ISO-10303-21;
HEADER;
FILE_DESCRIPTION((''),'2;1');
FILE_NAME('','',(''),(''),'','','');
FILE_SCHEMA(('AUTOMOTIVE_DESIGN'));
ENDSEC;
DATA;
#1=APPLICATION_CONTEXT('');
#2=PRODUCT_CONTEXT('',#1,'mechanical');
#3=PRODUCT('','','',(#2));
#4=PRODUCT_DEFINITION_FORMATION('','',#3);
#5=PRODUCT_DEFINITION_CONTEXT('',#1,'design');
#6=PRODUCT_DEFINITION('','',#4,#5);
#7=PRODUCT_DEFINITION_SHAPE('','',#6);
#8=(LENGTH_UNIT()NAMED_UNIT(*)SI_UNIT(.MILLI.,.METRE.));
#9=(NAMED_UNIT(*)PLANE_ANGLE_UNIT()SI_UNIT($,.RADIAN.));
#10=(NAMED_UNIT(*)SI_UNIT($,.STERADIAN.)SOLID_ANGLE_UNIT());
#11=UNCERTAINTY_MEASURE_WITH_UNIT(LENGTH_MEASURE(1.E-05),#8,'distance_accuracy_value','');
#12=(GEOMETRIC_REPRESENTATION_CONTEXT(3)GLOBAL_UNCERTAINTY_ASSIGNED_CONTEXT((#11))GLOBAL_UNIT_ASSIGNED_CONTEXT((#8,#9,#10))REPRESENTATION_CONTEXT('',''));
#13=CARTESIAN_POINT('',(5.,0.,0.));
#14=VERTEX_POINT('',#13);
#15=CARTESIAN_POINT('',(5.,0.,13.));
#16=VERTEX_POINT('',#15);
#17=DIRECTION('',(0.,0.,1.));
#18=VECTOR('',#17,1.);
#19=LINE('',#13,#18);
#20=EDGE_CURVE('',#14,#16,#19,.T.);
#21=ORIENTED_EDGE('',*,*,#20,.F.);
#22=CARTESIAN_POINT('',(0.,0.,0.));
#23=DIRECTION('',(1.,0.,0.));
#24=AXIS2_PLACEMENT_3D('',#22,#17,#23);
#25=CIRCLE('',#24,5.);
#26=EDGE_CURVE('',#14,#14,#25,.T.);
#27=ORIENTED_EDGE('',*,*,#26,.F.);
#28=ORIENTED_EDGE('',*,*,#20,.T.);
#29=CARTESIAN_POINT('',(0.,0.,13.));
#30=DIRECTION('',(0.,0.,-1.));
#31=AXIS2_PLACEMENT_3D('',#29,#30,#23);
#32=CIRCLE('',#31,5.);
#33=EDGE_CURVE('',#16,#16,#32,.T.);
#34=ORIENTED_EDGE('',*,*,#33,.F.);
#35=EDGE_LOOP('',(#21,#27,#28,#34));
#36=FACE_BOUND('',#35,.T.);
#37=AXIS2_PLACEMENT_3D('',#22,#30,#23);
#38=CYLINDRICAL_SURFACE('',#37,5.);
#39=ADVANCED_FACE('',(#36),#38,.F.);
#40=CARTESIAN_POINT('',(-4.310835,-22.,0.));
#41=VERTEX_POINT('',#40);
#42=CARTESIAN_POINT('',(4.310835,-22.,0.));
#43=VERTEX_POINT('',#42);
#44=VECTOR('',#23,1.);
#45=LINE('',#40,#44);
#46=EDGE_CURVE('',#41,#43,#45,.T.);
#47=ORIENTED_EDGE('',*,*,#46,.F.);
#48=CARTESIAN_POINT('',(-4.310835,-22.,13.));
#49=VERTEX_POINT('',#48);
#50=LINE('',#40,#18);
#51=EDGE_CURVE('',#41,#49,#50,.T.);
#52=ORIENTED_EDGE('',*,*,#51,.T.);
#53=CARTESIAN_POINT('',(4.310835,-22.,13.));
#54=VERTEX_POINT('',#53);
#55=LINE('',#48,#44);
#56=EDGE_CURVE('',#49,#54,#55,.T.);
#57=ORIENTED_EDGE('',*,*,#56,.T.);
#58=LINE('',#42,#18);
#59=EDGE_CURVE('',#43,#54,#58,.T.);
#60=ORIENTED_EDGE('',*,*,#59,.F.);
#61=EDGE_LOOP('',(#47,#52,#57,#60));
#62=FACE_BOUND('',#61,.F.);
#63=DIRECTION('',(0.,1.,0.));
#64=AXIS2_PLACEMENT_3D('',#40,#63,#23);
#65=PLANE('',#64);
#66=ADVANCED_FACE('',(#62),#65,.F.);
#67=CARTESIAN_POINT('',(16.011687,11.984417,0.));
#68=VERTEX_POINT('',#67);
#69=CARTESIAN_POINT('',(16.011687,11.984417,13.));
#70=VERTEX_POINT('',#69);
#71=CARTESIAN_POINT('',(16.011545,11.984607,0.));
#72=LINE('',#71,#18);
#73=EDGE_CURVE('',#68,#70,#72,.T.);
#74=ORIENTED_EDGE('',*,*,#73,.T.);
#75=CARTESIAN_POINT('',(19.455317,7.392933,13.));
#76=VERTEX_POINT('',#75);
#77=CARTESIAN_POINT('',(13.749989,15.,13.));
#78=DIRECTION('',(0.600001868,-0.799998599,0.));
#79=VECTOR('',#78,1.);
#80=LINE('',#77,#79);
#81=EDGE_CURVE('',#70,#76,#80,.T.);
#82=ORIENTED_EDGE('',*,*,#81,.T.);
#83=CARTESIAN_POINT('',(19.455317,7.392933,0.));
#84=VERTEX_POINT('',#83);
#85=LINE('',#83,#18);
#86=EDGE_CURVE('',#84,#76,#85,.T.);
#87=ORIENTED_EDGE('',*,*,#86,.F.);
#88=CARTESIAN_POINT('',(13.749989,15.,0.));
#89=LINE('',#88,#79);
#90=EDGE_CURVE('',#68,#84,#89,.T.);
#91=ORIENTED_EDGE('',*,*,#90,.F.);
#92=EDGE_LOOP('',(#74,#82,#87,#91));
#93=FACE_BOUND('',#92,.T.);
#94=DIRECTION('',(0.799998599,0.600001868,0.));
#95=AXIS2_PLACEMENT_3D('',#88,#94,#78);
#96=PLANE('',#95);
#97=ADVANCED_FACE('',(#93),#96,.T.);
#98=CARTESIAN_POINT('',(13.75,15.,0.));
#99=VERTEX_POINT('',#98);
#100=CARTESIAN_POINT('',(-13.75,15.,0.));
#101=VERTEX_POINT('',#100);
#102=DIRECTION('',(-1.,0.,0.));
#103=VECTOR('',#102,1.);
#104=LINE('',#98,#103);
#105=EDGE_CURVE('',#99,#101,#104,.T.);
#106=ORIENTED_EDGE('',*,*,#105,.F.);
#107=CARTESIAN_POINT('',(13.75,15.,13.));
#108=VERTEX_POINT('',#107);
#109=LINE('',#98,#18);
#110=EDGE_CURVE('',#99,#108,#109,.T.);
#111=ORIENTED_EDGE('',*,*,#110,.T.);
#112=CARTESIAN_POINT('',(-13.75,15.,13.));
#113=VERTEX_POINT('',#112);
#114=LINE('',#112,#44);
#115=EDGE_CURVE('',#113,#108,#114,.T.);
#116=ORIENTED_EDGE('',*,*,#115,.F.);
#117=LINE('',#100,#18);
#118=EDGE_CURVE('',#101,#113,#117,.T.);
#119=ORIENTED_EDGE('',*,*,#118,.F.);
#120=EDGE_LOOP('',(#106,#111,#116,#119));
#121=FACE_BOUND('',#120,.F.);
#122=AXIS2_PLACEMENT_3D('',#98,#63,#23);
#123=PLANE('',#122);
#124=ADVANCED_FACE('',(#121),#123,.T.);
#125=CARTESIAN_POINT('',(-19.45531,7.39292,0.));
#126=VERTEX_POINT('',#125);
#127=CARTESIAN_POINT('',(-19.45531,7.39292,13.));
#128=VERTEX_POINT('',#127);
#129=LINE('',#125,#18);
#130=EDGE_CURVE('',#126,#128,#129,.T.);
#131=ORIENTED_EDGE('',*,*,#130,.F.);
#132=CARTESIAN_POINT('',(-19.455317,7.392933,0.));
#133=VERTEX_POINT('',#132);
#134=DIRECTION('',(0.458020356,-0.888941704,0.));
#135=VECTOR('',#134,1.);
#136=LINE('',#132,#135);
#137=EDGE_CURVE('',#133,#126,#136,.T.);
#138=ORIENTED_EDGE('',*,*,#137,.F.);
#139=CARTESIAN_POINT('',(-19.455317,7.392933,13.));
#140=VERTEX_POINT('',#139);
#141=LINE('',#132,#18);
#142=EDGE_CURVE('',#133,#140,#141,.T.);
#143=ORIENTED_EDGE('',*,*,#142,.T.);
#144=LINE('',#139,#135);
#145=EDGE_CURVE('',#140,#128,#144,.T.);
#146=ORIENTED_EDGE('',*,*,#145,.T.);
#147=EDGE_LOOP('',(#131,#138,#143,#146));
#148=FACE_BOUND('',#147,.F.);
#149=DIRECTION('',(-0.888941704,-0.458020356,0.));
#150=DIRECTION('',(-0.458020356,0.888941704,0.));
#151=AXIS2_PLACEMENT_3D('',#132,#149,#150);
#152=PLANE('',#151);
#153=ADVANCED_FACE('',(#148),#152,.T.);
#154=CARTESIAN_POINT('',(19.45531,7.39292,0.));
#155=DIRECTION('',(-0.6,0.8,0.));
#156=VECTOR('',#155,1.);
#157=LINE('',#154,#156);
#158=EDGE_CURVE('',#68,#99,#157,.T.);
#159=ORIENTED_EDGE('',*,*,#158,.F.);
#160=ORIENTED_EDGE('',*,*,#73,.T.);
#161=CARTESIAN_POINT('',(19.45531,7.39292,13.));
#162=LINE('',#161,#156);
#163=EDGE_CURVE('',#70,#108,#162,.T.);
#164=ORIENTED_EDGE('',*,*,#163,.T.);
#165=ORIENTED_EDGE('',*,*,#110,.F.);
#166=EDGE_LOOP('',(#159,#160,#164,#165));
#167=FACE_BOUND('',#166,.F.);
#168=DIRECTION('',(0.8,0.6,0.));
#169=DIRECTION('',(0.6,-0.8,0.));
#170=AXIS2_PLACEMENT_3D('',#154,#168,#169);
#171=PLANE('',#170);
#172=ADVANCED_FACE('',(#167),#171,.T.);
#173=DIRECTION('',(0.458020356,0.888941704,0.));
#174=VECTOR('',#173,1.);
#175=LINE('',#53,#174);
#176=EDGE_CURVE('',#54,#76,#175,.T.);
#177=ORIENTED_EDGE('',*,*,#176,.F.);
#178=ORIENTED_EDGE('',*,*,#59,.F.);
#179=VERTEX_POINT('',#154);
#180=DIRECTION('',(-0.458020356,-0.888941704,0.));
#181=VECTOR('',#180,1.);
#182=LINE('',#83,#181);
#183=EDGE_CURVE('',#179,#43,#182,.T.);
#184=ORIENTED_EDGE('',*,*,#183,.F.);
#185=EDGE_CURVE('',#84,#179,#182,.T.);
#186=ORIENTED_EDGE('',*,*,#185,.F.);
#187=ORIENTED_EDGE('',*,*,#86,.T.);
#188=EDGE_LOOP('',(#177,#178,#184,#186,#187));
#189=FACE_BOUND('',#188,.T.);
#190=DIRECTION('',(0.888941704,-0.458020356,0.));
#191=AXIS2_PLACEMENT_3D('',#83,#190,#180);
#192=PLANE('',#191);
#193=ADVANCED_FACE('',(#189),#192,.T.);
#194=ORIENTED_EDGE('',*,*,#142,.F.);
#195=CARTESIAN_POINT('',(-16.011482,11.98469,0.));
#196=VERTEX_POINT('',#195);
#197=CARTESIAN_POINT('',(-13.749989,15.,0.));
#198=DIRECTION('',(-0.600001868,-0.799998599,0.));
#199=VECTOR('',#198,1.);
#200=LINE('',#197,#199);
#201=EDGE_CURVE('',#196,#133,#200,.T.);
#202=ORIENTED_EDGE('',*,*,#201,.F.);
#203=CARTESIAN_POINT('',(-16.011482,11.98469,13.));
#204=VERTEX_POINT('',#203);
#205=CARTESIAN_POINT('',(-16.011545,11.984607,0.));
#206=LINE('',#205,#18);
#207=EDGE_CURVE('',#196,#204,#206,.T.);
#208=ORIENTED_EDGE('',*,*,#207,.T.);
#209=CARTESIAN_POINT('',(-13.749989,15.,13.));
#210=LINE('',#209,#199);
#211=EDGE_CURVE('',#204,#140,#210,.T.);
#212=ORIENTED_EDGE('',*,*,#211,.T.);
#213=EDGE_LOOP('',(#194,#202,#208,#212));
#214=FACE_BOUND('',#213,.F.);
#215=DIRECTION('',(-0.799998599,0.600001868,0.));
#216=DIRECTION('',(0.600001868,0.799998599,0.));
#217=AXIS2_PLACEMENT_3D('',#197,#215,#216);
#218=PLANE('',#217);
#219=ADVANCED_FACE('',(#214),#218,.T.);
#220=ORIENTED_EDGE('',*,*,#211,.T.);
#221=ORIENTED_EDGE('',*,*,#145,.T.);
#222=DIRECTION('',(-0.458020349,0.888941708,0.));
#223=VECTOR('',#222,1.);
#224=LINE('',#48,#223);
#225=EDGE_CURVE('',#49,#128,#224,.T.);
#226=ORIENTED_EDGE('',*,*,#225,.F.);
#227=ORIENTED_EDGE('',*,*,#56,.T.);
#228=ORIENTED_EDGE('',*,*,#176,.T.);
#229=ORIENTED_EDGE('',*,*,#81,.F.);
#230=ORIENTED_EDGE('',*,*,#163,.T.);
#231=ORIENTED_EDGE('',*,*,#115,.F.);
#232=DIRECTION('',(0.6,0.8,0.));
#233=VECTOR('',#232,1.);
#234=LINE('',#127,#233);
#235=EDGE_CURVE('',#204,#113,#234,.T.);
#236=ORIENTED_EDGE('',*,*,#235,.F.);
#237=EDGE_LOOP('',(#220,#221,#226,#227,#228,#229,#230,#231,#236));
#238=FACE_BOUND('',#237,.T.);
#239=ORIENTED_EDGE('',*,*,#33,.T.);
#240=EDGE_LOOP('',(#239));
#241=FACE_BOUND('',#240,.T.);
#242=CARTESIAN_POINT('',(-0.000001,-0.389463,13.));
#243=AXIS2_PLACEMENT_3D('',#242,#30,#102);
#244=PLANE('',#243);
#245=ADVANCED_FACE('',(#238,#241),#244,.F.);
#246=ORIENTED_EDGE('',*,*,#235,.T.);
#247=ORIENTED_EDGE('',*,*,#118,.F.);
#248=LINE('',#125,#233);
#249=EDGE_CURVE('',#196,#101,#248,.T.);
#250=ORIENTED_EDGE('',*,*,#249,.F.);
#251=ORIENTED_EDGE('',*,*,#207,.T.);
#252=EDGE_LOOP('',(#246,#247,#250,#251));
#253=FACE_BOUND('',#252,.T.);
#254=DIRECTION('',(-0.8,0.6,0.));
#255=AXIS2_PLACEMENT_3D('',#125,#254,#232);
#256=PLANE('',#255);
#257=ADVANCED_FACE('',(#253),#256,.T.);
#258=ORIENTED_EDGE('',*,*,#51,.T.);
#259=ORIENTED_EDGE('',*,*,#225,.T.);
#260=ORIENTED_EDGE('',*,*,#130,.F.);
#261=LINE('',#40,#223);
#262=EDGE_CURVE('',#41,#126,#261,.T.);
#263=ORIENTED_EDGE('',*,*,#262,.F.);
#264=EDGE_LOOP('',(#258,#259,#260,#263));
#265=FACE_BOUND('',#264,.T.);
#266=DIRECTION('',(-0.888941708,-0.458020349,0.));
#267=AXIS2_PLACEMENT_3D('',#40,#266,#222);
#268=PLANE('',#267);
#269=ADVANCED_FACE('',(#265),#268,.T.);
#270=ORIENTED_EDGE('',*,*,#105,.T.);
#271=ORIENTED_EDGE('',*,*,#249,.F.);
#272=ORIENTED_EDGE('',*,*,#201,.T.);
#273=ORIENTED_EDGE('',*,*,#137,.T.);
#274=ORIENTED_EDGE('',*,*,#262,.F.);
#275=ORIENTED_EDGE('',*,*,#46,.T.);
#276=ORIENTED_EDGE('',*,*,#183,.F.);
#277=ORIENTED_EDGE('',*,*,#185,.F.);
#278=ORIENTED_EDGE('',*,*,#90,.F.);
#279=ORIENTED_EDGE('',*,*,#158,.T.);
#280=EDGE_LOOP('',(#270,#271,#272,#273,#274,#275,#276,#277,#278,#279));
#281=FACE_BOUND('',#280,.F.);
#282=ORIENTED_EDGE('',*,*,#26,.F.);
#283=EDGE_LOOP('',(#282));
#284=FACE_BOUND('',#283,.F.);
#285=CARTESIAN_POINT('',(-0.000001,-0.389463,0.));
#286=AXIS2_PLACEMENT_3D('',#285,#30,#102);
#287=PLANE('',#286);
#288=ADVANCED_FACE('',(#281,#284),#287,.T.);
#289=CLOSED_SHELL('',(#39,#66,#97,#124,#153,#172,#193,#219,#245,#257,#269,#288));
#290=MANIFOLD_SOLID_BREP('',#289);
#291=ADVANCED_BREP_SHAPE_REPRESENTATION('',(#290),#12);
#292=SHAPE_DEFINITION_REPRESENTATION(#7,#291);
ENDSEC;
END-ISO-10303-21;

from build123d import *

# Parameters (mm, degrees)
SKETCH_R  = 5
PAD_DEPTH = 13


with BuildPart() as part:
    # Sketch → Pad (new body)
    with BuildSketch(Plane.XY):
        Polygon((-13.75, 15), (13.749989, 15), (19.455317, 7.392933), (4.310835, -22), (1.95122, -22), (-1.95122, -22), (-4.310835, -22), (-19.45531, 7.39292), align=None)
        Circle(SKETCH_R, mode=Mode.SUBTRACT)
    pad = extrude(amount=PAD_DEPTH)

    # Mirrored: Pad across Sketch V_Axis
    add(pad.mirror(Plane(origin=(0, 0, 0), x_dir=(0, 0, 1), z_dir=(1, 0, 0))))


solid = part.part
